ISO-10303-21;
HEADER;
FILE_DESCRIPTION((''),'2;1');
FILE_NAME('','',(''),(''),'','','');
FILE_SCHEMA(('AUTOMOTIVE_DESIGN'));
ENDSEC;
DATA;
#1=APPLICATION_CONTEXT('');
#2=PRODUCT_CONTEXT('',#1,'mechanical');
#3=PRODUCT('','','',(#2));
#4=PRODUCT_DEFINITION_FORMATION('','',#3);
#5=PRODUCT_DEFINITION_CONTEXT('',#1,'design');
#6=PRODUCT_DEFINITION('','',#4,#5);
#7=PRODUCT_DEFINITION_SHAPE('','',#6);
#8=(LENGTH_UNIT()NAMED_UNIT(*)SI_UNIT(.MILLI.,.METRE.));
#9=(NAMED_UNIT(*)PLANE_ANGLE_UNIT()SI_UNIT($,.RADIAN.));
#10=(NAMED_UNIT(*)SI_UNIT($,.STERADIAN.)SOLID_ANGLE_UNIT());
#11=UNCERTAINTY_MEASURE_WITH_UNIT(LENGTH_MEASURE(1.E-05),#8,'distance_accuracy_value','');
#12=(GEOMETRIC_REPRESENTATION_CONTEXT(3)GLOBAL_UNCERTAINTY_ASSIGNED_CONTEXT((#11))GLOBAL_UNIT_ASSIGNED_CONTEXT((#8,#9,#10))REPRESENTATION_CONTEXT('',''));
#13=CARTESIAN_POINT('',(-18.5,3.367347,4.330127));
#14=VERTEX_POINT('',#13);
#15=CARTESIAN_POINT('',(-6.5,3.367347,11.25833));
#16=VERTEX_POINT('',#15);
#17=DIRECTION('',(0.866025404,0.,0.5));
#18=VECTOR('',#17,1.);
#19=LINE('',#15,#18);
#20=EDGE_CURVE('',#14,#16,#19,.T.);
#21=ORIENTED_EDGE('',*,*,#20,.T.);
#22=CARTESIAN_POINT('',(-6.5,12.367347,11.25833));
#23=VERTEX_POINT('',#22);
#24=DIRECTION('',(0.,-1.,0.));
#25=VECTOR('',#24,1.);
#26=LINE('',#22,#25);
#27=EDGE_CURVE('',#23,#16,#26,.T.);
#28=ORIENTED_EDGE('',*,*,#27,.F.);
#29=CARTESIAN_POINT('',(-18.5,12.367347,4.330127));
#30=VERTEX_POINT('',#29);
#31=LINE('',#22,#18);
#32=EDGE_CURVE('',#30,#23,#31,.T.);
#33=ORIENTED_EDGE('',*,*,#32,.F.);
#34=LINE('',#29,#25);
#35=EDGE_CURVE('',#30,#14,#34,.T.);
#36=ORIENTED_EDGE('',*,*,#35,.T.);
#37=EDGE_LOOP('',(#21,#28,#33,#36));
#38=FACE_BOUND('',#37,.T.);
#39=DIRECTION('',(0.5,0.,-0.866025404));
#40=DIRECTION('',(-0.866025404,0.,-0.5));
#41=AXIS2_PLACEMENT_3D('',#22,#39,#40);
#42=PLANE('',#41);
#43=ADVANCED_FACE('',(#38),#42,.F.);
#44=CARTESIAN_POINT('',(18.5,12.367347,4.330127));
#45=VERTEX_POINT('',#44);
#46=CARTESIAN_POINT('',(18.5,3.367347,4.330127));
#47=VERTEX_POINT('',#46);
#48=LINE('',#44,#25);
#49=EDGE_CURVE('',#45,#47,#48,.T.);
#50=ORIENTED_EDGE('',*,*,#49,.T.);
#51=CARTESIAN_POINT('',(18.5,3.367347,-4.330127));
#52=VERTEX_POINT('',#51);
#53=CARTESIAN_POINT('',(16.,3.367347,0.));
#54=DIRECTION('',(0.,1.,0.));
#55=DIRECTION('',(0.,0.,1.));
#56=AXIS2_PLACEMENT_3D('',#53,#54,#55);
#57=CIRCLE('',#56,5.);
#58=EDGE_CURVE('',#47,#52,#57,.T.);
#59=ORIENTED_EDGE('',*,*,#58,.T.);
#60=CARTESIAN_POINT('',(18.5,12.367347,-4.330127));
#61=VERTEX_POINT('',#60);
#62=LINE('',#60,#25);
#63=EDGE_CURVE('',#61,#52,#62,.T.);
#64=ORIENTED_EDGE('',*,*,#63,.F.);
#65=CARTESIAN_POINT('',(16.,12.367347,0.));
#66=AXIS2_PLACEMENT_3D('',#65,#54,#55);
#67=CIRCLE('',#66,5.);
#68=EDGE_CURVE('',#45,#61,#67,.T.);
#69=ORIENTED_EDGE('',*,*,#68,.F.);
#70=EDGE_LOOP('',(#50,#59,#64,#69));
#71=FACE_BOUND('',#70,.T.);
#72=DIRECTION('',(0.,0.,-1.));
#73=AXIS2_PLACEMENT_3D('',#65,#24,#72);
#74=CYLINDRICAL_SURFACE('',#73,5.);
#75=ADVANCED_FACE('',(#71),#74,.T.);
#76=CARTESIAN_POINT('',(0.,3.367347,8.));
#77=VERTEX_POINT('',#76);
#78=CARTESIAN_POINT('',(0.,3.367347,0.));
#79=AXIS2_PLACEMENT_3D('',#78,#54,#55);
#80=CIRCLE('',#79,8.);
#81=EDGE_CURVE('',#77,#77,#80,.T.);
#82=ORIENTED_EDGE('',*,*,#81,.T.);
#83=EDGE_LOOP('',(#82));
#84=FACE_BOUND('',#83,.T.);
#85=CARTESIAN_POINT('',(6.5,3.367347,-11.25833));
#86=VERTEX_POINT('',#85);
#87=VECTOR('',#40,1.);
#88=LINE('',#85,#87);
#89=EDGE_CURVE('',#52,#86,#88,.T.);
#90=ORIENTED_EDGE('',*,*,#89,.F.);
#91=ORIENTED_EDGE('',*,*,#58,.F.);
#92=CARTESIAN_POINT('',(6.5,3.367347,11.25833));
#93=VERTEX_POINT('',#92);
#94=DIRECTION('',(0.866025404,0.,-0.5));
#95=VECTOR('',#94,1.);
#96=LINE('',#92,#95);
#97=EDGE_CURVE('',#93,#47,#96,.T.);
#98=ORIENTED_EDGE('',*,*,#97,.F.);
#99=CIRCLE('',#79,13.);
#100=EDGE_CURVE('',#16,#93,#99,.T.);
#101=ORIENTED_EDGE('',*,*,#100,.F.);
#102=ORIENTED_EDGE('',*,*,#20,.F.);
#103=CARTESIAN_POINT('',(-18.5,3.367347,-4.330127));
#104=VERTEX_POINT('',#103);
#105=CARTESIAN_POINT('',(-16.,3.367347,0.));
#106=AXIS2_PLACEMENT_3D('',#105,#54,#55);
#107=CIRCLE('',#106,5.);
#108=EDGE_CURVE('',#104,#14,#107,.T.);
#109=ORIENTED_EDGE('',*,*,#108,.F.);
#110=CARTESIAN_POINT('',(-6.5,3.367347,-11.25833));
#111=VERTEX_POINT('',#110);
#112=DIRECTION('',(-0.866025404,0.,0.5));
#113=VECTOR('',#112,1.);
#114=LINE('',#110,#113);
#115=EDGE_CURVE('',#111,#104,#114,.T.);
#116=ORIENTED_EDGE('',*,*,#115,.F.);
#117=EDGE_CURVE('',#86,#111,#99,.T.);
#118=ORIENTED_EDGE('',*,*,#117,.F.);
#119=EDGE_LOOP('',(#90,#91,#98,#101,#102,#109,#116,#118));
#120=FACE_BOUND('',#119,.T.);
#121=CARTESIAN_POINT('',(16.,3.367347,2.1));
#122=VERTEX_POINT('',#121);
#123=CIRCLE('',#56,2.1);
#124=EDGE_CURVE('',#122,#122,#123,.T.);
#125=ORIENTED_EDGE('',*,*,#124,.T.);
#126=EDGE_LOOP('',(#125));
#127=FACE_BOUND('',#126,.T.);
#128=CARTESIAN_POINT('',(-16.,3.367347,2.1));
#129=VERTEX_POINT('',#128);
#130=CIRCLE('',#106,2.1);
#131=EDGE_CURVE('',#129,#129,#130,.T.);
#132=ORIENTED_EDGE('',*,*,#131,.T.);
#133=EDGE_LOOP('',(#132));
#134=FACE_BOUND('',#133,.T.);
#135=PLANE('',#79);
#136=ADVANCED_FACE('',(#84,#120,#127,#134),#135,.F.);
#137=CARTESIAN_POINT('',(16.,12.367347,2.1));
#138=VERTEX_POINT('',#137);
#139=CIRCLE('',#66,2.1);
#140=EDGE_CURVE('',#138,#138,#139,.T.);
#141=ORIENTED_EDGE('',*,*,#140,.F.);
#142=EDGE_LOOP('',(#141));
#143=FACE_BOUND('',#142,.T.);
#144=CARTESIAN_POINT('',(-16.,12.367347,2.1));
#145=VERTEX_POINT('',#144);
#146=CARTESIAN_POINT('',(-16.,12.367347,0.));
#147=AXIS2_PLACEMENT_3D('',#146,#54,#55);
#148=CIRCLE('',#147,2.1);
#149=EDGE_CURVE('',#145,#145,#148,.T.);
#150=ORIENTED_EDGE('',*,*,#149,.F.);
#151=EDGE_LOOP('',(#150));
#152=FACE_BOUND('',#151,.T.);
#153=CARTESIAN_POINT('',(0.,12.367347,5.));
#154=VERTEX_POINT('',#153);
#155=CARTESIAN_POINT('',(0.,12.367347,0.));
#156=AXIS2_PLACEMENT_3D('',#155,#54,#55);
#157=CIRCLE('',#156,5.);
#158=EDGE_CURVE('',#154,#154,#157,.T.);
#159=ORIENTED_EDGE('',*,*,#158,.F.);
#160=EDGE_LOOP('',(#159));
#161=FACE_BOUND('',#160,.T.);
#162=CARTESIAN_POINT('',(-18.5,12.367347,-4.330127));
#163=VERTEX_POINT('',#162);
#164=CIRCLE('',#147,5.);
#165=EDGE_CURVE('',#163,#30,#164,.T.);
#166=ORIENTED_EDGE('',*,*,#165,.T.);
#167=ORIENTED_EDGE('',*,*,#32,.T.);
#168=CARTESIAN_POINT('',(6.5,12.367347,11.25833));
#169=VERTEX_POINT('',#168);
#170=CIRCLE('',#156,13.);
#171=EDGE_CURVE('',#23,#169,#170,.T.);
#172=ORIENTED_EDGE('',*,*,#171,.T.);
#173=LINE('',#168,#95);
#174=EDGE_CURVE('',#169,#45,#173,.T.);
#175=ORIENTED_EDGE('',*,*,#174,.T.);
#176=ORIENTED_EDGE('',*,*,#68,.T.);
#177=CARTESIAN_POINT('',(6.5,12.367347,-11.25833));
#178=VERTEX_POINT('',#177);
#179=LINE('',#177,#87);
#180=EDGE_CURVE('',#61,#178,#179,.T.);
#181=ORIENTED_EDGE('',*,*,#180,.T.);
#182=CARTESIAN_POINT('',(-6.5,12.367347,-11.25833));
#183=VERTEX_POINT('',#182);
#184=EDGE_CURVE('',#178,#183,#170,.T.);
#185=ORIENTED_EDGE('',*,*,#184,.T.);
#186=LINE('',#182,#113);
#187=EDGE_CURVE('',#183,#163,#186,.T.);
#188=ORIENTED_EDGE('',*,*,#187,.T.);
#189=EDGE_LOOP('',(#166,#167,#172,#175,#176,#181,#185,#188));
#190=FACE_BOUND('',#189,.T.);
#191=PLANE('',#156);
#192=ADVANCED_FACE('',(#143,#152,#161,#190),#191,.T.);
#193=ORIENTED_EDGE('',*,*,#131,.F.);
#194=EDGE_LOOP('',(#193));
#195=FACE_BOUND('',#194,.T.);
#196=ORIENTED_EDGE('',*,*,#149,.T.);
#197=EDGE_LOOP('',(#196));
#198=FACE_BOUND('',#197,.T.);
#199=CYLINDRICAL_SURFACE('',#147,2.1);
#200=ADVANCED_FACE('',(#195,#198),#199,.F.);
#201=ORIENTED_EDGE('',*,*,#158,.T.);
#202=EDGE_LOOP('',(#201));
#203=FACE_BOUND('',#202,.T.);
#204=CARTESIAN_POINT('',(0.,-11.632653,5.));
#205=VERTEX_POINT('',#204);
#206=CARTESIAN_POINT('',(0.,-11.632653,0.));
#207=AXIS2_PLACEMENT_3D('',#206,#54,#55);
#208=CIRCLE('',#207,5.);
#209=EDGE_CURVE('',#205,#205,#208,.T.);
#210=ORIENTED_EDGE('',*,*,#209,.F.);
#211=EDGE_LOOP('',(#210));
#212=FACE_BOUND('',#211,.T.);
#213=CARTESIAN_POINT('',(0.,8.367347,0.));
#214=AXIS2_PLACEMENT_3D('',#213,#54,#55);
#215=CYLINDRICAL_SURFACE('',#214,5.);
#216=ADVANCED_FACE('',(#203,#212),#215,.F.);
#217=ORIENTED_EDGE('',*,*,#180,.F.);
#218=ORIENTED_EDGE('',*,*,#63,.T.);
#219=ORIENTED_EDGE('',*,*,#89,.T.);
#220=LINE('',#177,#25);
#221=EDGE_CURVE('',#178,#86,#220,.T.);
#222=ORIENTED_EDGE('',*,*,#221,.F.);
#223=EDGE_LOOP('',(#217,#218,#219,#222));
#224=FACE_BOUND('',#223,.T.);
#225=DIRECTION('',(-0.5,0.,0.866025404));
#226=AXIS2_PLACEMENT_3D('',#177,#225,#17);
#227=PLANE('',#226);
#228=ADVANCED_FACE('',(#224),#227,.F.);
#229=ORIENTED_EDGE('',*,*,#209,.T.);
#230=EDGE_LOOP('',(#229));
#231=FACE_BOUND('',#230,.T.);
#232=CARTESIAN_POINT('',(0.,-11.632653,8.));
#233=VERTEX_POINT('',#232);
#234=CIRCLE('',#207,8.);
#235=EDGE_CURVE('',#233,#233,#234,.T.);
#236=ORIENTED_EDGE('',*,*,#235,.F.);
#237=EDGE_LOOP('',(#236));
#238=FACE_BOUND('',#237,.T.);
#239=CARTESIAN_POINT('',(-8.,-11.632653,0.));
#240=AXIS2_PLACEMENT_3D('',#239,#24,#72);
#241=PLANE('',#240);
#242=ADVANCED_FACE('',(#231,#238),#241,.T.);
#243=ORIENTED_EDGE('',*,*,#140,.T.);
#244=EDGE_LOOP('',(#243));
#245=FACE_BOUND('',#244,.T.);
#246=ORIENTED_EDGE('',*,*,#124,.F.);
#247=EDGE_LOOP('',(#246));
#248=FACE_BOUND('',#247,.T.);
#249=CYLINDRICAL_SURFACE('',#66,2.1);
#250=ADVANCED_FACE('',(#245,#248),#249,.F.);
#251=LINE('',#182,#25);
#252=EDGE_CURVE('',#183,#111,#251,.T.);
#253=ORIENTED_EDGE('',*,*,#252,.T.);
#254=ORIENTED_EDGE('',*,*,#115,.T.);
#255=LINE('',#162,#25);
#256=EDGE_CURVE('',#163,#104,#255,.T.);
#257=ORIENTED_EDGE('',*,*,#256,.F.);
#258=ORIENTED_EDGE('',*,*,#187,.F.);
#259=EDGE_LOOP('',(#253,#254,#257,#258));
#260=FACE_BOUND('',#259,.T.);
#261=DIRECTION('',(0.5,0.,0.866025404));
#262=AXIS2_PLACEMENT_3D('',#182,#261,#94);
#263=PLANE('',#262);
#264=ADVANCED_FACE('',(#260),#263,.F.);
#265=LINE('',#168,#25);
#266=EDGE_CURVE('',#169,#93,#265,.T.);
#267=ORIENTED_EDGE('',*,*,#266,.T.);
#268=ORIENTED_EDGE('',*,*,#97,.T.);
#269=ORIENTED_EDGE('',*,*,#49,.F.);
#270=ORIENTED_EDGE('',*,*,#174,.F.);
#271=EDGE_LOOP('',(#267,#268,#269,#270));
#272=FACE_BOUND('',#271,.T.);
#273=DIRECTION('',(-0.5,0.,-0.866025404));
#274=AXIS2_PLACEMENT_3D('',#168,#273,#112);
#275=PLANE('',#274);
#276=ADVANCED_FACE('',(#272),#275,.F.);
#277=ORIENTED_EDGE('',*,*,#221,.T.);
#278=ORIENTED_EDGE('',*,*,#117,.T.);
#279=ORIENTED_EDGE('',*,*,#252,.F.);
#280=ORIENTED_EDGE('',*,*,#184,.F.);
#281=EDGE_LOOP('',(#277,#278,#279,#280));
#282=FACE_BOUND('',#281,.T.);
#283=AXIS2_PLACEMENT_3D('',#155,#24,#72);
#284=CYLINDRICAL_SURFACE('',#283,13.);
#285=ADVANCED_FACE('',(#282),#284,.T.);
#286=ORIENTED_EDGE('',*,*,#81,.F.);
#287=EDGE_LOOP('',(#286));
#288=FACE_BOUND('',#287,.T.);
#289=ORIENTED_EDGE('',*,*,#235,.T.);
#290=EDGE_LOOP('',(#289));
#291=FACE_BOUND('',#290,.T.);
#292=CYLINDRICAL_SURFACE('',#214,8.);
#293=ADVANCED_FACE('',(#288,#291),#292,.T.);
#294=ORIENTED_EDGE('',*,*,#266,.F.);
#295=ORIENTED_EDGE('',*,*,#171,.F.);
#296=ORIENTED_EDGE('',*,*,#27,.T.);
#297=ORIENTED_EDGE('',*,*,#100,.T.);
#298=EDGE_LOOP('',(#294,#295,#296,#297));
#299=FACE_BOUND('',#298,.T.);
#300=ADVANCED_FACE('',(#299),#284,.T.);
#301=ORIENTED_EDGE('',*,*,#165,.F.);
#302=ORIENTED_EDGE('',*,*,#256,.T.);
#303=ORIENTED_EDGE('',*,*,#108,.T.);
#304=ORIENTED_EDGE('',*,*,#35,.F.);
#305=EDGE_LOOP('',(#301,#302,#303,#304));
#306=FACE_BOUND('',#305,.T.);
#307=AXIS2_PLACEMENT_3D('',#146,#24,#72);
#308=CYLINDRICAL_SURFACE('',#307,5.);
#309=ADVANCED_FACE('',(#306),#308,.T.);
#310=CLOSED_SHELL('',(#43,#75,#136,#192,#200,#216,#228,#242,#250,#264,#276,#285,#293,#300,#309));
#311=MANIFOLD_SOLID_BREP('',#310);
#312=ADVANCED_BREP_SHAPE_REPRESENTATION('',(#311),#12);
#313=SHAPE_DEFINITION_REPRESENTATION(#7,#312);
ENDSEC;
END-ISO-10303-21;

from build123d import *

# Parameters (mm, degrees)
SKETCH1_W                 = 3
SKETCH1_H                 = 15
BOSS_EXTRUDE1_START       = 9
SKETCH2_R                 = 5
BOSS_EXTRUDE1_DEPTH       = 9
M5X0_8_TAPPED_HOLE1_D     = 4.2
M5X0_8_TAPPED_HOLE1_DEPTH = 12.4
M5X0_8_TAPPED_HOLE1_TIP   = 1.2618073


with BuildPart() as part:
    # Sketch1 → Revolve1 (revolve)
    with BuildSketch(Plane.XY, mode=Mode.PRIVATE) as revolve1_sk:
        with Locations((-6.5, -4.132653061)):
            Rectangle(SKETCH1_W, SKETCH1_H)
    revolve(revolve1_sk.sketch.rotate(Axis((0, 8.367346939, 0), (0, -1, 0)), 270), axis=Axis((0, 8.367346939, 0), (0, -1, 0)))

    # Sketch2 → Boss-Extrude1 (add)
    with BuildSketch(Plane(origin=(0, 3.367346939, 0), x_dir=(1, 0, 0), z_dir=(0, 1, 0)).offset(BOSS_EXTRUDE1_START)):
        with BuildLine():
            Line((-6.5, 11.258330249), (-18.5, 4.330127019))
            ThreePointArc((-18.5, 4.330127019), (-21, 0), (-18.5, -4.330127019))
            Line((-18.5, -4.330127019), (-6.5, -11.258330249))
            ThreePointArc((-6.5, -11.258330249), (0, -13), (6.5, -11.258330249))
            Line((6.5, -11.258330249), (18.5, -4.330127019))
            ThreePointArc((18.5, -4.330127019), (21, 0), (18.5, 4.330127019))
            Line((18.5, 4.330127019), (6.5, 11.258330249))
            ThreePointArc((6.5, 11.258330249), (0, 13), (-6.5, 11.258330249))
        make_face()
        with Locations(Location((0, 0, 0), (0, 0, 270))):
            Circle(SKETCH2_R, mode=Mode.SUBTRACT)
    extrude(amount=-BOSS_EXTRUDE1_DEPTH)

    # M5x0.8 Tapped Hole1
    with Locations(Plane(origin=(-16, 12.367346939, 0), x_dir=(0, 0, 1), z_dir=(0, 1, 0))):
        with Locations((0, 0), (0, 32)):
            Hole(M5X0_8_TAPPED_HOLE1_D / 2, depth=M5X0_8_TAPPED_HOLE1_DEPTH)
            with Locations((0, 0, -(M5X0_8_TAPPED_HOLE1_DEPTH + M5X0_8_TAPPED_HOLE1_TIP / 2))):  # 118° drill point
                Cone(0, M5X0_8_TAPPED_HOLE1_D / 2, M5X0_8_TAPPED_HOLE1_TIP, mode=Mode.SUBTRACT)


solid = part.part
